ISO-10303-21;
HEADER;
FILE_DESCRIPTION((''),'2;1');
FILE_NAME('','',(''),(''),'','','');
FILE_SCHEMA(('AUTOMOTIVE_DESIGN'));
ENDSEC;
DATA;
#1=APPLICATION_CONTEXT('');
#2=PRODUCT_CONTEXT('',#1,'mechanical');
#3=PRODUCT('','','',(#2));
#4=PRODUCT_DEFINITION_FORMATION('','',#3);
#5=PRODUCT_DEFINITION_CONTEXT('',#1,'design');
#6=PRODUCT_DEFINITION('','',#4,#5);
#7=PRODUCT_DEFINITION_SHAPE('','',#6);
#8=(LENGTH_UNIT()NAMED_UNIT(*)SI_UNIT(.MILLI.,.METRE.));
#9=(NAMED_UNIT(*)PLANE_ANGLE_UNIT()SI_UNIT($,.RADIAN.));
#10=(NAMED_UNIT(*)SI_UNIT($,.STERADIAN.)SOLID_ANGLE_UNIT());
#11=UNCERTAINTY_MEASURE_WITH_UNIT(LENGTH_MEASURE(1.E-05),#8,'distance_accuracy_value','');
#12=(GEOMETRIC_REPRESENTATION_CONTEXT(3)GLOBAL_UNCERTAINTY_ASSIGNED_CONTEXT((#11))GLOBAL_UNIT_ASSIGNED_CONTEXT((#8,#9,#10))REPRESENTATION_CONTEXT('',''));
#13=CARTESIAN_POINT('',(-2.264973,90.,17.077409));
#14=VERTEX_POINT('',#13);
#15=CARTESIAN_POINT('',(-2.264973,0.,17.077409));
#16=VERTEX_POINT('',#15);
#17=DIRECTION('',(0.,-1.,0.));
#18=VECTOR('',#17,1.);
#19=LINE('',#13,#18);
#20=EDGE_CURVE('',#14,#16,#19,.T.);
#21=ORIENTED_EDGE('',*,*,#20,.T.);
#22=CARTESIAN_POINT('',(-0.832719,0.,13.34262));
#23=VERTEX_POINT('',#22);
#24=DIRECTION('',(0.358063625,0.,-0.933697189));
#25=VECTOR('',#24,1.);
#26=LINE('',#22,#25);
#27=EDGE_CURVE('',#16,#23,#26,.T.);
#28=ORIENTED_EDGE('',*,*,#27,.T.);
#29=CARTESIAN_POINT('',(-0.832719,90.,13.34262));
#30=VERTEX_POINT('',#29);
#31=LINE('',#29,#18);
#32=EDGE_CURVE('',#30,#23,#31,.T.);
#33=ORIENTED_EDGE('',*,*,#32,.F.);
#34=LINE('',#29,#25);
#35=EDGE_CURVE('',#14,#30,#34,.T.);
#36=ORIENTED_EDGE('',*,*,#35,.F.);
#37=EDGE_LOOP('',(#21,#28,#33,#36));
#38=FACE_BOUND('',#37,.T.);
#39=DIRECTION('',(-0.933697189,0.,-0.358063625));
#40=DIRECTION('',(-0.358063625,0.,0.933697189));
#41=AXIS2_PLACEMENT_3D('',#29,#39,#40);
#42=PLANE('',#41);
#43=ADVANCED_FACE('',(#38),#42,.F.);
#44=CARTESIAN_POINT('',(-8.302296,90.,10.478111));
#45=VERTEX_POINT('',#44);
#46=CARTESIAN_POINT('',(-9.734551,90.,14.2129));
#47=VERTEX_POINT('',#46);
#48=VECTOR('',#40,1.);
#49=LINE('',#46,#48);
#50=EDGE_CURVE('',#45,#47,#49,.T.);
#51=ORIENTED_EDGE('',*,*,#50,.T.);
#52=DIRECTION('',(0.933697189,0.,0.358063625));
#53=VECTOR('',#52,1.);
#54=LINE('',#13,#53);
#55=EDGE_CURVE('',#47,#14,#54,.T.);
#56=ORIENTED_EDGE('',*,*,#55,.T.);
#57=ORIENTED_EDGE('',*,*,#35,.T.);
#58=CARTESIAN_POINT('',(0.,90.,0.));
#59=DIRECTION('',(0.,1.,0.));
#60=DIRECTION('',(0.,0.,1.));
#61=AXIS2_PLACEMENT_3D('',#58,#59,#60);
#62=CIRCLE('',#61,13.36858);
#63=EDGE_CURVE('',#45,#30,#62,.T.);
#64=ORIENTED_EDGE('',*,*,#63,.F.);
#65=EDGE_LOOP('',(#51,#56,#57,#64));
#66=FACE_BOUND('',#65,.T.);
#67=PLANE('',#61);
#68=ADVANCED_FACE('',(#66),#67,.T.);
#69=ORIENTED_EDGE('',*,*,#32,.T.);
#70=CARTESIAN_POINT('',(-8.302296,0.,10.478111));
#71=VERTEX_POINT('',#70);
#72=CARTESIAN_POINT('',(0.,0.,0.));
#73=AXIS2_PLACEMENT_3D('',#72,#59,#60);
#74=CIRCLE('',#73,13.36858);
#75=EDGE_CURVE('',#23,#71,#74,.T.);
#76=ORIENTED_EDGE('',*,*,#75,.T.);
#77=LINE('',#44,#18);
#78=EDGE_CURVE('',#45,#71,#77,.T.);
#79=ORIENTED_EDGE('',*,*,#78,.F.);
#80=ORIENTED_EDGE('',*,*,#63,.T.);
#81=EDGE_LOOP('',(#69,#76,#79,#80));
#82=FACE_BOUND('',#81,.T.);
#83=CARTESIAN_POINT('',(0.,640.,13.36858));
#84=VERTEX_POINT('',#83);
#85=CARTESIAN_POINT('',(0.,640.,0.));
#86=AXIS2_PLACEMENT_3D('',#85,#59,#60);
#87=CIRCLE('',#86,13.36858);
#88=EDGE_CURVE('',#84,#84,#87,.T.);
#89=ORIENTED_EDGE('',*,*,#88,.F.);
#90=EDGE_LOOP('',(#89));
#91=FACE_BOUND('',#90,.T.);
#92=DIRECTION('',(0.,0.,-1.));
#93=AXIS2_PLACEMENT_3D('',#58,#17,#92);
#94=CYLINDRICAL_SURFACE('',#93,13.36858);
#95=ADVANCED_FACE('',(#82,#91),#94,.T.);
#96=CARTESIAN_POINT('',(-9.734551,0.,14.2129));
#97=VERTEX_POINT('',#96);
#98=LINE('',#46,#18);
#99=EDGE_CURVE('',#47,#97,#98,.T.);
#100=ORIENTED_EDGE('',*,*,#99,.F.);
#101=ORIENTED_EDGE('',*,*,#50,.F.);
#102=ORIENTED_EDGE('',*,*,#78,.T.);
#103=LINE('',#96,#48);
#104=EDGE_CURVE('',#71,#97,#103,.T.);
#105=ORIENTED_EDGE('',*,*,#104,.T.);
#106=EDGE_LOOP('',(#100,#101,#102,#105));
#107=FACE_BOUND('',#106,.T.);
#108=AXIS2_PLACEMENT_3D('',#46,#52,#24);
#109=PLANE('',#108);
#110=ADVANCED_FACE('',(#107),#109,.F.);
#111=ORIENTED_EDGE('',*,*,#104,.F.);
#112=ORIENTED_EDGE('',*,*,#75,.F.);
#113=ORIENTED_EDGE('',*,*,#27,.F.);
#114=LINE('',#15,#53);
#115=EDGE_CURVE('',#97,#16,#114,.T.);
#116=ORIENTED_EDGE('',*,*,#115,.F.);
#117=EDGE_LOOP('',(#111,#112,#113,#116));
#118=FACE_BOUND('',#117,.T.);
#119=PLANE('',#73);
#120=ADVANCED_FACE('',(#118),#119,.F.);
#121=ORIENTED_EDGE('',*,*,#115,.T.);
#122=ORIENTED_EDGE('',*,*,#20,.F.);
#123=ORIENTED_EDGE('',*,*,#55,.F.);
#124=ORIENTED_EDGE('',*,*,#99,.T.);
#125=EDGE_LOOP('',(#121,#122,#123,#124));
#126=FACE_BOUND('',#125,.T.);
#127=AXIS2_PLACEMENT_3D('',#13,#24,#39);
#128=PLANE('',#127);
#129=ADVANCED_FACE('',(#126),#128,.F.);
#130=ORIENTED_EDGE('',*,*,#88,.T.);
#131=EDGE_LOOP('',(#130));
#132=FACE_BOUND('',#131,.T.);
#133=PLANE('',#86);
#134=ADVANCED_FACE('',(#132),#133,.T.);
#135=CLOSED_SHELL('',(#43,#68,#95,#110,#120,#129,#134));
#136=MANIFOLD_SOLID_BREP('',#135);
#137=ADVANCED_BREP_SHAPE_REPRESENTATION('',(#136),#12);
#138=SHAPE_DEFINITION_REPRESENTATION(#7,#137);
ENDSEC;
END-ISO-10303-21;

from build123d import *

# Parameters (mm, degrees)
BOSS_EXTRUDE1_DEPTH = 90
SKETCH3_R           = 13.36858006
BOSS_EXTRUDE2_DEPTH = 550


with BuildPart() as part:
    # Sketch2 → Boss-Extrude1 (new body)
    with BuildSketch(Plane(origin=(0, 0, 0), x_dir=(1, 0, 0), z_dir=(0, 1, 0))):
        with BuildLine():
            Line((-0.832718515, -13.342620159), (-2.264973014, -17.077408915))
            Line((-2.264973014, -17.077408915), (-9.734550526, -14.212899917))
            Line((-9.734550526, -14.212899917), (-8.302296027, -10.478111162))
            ThreePointArc((-8.302296027, -10.478111162), (4.786802233, 12.482205623), (-0.832718515, -13.342620159))
        make_face()
    extrude(amount=BOSS_EXTRUDE1_DEPTH)

    # Sketch3 → Boss-Extrude2 (add)
    with BuildSketch(Plane(origin=(0, 90, 0), x_dir=(1, 0, 0), z_dir=(0, 1, 0))):
        with Locations(Location((0, 0, 0), (0, 0, 231.608573475))):
            Circle(SKETCH3_R)
    extrude(amount=BOSS_EXTRUDE2_DEPTH)


solid = part.part
